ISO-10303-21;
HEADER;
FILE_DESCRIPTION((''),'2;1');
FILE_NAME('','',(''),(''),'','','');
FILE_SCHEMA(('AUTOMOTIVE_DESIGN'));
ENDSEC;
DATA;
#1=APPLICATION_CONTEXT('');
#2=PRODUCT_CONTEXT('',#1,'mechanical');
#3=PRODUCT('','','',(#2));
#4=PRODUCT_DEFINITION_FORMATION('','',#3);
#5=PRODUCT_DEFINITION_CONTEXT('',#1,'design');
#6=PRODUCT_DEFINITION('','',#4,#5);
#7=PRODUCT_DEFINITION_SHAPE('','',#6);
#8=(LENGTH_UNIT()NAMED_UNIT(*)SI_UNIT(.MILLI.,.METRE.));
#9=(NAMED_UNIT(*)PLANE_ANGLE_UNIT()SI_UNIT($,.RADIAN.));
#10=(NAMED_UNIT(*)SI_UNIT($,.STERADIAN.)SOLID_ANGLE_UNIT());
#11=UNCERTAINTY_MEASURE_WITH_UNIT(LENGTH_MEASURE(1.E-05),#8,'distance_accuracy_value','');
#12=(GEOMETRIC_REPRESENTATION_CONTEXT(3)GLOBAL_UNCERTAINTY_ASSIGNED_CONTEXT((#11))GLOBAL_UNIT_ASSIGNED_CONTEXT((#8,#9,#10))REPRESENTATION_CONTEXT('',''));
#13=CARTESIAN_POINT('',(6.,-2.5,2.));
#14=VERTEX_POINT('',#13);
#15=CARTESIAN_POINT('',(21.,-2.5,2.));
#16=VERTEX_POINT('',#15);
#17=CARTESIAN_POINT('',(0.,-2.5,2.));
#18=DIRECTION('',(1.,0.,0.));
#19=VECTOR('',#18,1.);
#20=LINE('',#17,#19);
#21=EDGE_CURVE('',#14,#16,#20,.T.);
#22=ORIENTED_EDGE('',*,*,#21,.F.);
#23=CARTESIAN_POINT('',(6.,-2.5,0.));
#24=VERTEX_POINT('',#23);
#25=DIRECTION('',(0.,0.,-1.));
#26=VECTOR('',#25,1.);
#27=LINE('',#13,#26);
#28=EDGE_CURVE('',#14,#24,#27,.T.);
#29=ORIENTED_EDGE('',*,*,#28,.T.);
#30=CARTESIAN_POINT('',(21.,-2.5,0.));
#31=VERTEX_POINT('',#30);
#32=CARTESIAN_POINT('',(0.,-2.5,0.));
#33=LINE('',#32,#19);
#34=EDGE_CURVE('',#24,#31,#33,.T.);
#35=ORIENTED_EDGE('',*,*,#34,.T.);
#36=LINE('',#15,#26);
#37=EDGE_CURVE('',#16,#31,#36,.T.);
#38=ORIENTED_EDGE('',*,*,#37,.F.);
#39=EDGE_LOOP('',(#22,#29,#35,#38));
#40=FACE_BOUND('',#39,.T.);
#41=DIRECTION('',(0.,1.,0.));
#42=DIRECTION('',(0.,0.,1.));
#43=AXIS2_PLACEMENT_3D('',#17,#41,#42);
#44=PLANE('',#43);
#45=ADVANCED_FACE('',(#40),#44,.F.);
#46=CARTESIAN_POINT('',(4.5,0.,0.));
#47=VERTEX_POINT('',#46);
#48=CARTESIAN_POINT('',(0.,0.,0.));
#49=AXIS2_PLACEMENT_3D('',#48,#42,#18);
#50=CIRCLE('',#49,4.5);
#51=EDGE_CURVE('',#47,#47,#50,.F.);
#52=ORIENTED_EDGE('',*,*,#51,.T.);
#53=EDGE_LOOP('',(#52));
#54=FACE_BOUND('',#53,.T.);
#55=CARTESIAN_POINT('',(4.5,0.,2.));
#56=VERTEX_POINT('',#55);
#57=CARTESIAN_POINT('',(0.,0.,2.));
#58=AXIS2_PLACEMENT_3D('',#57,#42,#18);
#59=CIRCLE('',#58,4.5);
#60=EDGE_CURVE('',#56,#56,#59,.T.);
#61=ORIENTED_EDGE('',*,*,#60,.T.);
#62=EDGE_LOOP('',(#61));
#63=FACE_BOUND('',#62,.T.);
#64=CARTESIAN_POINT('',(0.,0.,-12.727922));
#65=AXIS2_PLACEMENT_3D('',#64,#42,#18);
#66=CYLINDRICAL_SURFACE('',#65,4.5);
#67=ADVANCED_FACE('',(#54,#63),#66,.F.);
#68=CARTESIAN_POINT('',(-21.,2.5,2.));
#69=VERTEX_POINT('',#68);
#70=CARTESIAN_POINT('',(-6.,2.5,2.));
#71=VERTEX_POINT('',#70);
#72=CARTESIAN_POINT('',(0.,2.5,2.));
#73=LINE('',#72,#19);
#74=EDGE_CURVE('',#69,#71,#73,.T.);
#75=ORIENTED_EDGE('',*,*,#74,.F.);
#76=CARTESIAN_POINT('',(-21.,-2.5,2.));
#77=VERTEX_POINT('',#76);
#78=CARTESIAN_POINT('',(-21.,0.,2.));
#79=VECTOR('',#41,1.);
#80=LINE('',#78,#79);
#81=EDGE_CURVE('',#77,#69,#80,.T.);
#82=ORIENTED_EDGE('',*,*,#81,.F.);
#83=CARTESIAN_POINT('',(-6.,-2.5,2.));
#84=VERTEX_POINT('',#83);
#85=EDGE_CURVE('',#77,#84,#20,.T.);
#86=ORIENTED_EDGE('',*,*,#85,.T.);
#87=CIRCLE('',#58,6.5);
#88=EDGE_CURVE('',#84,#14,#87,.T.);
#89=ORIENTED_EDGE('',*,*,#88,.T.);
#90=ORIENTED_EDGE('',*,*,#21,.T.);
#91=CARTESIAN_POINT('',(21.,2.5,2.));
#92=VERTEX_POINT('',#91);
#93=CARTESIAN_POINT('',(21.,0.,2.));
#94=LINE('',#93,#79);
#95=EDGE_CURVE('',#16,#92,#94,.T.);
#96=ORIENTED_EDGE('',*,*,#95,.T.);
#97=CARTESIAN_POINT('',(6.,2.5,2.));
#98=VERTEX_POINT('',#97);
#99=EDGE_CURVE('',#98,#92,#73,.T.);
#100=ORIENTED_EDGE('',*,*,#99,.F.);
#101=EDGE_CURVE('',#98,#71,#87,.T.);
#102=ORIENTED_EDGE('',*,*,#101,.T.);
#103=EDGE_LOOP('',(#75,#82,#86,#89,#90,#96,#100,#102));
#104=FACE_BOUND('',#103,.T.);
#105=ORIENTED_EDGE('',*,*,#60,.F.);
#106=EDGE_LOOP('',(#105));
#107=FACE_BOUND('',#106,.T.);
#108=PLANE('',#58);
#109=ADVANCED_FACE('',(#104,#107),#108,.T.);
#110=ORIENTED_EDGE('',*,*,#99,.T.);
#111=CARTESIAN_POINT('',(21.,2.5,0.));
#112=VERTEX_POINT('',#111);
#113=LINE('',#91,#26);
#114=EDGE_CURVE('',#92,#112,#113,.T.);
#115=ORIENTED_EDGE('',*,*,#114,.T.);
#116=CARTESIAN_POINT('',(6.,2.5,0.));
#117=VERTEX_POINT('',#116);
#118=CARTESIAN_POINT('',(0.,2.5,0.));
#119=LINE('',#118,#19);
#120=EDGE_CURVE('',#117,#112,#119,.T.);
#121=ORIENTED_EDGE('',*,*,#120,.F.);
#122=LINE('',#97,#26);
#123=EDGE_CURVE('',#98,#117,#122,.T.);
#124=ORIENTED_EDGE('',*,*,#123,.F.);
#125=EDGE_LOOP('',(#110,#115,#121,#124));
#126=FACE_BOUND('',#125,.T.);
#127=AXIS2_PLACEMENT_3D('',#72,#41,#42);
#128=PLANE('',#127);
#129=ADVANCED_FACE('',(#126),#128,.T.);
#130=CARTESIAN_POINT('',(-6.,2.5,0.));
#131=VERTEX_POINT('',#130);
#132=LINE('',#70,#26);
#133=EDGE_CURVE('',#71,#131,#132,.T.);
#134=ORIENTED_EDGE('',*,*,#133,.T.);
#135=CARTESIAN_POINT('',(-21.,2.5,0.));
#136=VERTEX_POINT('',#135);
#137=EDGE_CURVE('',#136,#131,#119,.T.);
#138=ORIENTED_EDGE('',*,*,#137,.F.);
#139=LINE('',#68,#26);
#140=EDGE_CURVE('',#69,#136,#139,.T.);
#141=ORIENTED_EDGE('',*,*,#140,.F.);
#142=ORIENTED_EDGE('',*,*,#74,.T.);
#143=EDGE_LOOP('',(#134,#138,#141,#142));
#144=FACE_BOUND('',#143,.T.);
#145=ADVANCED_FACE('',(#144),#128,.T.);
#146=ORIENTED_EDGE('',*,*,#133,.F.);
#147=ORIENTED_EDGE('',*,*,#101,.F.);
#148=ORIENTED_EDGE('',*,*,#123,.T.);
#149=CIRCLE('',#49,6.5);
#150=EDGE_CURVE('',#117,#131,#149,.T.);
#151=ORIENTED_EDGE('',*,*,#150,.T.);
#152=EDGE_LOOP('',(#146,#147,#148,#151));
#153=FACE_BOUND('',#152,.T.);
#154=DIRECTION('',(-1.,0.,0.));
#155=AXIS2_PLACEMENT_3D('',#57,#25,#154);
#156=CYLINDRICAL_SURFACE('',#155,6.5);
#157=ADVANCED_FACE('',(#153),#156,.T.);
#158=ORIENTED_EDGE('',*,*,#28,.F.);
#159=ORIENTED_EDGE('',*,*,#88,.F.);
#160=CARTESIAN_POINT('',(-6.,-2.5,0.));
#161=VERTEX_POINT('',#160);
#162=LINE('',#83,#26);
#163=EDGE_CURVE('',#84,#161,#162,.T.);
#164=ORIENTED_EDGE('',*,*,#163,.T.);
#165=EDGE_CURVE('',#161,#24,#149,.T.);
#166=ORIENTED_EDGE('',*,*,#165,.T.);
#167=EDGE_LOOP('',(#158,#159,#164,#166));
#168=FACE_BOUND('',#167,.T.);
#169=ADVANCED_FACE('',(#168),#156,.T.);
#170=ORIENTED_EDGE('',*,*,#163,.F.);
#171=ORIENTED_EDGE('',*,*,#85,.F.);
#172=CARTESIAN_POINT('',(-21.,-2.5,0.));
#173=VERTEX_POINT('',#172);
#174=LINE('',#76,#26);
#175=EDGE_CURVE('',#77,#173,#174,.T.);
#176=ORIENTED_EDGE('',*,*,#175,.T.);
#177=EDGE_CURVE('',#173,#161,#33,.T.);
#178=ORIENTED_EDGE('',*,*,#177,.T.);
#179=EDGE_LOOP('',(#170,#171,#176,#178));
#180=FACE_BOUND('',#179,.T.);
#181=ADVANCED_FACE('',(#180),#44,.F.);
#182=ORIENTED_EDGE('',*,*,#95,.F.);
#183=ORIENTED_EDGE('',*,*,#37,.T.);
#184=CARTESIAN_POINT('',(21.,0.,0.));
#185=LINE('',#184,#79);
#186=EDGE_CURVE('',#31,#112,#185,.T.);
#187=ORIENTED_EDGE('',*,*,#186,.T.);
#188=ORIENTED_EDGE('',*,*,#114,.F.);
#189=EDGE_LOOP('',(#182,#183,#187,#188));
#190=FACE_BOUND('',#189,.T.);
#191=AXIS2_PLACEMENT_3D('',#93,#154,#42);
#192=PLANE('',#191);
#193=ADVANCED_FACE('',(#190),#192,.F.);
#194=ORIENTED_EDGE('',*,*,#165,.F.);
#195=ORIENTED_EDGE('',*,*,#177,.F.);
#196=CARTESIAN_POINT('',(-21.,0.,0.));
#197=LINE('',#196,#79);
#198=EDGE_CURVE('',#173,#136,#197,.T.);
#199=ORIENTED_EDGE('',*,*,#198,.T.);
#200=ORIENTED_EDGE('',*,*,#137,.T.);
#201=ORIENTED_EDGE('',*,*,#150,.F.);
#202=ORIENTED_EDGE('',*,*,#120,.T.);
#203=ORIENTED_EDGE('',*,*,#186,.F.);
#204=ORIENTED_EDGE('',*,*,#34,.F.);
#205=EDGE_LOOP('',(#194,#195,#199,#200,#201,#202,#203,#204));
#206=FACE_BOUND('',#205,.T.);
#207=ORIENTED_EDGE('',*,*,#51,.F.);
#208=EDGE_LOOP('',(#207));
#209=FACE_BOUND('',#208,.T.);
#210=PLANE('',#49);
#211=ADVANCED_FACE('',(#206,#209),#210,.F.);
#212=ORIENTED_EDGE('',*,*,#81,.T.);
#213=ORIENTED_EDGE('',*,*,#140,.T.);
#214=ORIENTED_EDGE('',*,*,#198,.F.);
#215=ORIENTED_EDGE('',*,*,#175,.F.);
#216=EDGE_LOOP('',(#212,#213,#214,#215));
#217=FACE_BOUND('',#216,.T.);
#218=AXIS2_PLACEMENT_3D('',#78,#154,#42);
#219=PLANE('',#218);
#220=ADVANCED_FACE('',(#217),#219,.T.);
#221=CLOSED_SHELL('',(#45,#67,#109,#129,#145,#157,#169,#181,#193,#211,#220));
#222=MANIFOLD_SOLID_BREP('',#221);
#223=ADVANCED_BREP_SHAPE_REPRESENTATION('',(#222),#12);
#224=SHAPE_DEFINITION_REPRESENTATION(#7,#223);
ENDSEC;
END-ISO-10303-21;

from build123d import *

# Parameters (mm, degrees)
ESTRUSIONE_ESTRUSIONE1_DEPTH = 2
SCHIZZO3_R                   = 4.5
TAGLIO_ESTRUSIONE1_DEPTH     = 2


with BuildPart() as part:
    # Schizzo2 → Estrusione-Estrusione1 (new body)
    with BuildSketch(Plane.XY):
        with BuildLine():
            Line((-21, 2.5), (-21, -2.5))
            Line((-21, -2.5), (-6, -2.5))
            ThreePointArc((-6, -2.5), (-6.5, 0), (-6, 2.5))
            Line((-6, 2.5), (-21, 2.5))
        make_face()
        with BuildLine():
            ThreePointArc((-6, 2.5), (-6.5, 0), (-6, -2.5))
            Line((-6, -2.5), (6, -2.5))
            ThreePointArc((6, -2.5), (6.373774392, -1.274754878), (6.5, 0))
            ThreePointArc((6.5, 0), (6.373774392, 1.274754878), (6, 2.5))
            Line((6, 2.5), (-6, 2.5))
        make_face()
        with BuildLine():
            ThreePointArc((6.5, 0), (6.373774392, -1.274754878), (6, -2.5))
            Line((6, -2.5), (21, -2.5))
            Line((21, -2.5), (21, 2.5))
            Line((21, 2.5), (6, 2.5))
            ThreePointArc((6, 2.5), (6.373774392, 1.274754878), (6.5, 0))
        make_face()
        with BuildLine():
            ThreePointArc((6, 2.5), (0, 6.5), (-6, 2.5))
            Line((-6, 2.5), (6, 2.5))
        make_face()
        with BuildLine():
            Line((6, -2.5), (-6, -2.5))
            ThreePointArc((-6, -2.5), (0, -6.5), (6, -2.5))
        make_face()
    extrude(amount=ESTRUSIONE_ESTRUSIONE1_DEPTH)

    # Schizzo3 → Taglio-Estrusione1 (cut)
    with BuildSketch(Plane.XY.offset(2)):
        Circle(SCHIZZO3_R)
    extrude(amount=-TAGLIO_ESTRUSIONE1_DEPTH, mode=Mode.SUBTRACT)


solid = part.part
